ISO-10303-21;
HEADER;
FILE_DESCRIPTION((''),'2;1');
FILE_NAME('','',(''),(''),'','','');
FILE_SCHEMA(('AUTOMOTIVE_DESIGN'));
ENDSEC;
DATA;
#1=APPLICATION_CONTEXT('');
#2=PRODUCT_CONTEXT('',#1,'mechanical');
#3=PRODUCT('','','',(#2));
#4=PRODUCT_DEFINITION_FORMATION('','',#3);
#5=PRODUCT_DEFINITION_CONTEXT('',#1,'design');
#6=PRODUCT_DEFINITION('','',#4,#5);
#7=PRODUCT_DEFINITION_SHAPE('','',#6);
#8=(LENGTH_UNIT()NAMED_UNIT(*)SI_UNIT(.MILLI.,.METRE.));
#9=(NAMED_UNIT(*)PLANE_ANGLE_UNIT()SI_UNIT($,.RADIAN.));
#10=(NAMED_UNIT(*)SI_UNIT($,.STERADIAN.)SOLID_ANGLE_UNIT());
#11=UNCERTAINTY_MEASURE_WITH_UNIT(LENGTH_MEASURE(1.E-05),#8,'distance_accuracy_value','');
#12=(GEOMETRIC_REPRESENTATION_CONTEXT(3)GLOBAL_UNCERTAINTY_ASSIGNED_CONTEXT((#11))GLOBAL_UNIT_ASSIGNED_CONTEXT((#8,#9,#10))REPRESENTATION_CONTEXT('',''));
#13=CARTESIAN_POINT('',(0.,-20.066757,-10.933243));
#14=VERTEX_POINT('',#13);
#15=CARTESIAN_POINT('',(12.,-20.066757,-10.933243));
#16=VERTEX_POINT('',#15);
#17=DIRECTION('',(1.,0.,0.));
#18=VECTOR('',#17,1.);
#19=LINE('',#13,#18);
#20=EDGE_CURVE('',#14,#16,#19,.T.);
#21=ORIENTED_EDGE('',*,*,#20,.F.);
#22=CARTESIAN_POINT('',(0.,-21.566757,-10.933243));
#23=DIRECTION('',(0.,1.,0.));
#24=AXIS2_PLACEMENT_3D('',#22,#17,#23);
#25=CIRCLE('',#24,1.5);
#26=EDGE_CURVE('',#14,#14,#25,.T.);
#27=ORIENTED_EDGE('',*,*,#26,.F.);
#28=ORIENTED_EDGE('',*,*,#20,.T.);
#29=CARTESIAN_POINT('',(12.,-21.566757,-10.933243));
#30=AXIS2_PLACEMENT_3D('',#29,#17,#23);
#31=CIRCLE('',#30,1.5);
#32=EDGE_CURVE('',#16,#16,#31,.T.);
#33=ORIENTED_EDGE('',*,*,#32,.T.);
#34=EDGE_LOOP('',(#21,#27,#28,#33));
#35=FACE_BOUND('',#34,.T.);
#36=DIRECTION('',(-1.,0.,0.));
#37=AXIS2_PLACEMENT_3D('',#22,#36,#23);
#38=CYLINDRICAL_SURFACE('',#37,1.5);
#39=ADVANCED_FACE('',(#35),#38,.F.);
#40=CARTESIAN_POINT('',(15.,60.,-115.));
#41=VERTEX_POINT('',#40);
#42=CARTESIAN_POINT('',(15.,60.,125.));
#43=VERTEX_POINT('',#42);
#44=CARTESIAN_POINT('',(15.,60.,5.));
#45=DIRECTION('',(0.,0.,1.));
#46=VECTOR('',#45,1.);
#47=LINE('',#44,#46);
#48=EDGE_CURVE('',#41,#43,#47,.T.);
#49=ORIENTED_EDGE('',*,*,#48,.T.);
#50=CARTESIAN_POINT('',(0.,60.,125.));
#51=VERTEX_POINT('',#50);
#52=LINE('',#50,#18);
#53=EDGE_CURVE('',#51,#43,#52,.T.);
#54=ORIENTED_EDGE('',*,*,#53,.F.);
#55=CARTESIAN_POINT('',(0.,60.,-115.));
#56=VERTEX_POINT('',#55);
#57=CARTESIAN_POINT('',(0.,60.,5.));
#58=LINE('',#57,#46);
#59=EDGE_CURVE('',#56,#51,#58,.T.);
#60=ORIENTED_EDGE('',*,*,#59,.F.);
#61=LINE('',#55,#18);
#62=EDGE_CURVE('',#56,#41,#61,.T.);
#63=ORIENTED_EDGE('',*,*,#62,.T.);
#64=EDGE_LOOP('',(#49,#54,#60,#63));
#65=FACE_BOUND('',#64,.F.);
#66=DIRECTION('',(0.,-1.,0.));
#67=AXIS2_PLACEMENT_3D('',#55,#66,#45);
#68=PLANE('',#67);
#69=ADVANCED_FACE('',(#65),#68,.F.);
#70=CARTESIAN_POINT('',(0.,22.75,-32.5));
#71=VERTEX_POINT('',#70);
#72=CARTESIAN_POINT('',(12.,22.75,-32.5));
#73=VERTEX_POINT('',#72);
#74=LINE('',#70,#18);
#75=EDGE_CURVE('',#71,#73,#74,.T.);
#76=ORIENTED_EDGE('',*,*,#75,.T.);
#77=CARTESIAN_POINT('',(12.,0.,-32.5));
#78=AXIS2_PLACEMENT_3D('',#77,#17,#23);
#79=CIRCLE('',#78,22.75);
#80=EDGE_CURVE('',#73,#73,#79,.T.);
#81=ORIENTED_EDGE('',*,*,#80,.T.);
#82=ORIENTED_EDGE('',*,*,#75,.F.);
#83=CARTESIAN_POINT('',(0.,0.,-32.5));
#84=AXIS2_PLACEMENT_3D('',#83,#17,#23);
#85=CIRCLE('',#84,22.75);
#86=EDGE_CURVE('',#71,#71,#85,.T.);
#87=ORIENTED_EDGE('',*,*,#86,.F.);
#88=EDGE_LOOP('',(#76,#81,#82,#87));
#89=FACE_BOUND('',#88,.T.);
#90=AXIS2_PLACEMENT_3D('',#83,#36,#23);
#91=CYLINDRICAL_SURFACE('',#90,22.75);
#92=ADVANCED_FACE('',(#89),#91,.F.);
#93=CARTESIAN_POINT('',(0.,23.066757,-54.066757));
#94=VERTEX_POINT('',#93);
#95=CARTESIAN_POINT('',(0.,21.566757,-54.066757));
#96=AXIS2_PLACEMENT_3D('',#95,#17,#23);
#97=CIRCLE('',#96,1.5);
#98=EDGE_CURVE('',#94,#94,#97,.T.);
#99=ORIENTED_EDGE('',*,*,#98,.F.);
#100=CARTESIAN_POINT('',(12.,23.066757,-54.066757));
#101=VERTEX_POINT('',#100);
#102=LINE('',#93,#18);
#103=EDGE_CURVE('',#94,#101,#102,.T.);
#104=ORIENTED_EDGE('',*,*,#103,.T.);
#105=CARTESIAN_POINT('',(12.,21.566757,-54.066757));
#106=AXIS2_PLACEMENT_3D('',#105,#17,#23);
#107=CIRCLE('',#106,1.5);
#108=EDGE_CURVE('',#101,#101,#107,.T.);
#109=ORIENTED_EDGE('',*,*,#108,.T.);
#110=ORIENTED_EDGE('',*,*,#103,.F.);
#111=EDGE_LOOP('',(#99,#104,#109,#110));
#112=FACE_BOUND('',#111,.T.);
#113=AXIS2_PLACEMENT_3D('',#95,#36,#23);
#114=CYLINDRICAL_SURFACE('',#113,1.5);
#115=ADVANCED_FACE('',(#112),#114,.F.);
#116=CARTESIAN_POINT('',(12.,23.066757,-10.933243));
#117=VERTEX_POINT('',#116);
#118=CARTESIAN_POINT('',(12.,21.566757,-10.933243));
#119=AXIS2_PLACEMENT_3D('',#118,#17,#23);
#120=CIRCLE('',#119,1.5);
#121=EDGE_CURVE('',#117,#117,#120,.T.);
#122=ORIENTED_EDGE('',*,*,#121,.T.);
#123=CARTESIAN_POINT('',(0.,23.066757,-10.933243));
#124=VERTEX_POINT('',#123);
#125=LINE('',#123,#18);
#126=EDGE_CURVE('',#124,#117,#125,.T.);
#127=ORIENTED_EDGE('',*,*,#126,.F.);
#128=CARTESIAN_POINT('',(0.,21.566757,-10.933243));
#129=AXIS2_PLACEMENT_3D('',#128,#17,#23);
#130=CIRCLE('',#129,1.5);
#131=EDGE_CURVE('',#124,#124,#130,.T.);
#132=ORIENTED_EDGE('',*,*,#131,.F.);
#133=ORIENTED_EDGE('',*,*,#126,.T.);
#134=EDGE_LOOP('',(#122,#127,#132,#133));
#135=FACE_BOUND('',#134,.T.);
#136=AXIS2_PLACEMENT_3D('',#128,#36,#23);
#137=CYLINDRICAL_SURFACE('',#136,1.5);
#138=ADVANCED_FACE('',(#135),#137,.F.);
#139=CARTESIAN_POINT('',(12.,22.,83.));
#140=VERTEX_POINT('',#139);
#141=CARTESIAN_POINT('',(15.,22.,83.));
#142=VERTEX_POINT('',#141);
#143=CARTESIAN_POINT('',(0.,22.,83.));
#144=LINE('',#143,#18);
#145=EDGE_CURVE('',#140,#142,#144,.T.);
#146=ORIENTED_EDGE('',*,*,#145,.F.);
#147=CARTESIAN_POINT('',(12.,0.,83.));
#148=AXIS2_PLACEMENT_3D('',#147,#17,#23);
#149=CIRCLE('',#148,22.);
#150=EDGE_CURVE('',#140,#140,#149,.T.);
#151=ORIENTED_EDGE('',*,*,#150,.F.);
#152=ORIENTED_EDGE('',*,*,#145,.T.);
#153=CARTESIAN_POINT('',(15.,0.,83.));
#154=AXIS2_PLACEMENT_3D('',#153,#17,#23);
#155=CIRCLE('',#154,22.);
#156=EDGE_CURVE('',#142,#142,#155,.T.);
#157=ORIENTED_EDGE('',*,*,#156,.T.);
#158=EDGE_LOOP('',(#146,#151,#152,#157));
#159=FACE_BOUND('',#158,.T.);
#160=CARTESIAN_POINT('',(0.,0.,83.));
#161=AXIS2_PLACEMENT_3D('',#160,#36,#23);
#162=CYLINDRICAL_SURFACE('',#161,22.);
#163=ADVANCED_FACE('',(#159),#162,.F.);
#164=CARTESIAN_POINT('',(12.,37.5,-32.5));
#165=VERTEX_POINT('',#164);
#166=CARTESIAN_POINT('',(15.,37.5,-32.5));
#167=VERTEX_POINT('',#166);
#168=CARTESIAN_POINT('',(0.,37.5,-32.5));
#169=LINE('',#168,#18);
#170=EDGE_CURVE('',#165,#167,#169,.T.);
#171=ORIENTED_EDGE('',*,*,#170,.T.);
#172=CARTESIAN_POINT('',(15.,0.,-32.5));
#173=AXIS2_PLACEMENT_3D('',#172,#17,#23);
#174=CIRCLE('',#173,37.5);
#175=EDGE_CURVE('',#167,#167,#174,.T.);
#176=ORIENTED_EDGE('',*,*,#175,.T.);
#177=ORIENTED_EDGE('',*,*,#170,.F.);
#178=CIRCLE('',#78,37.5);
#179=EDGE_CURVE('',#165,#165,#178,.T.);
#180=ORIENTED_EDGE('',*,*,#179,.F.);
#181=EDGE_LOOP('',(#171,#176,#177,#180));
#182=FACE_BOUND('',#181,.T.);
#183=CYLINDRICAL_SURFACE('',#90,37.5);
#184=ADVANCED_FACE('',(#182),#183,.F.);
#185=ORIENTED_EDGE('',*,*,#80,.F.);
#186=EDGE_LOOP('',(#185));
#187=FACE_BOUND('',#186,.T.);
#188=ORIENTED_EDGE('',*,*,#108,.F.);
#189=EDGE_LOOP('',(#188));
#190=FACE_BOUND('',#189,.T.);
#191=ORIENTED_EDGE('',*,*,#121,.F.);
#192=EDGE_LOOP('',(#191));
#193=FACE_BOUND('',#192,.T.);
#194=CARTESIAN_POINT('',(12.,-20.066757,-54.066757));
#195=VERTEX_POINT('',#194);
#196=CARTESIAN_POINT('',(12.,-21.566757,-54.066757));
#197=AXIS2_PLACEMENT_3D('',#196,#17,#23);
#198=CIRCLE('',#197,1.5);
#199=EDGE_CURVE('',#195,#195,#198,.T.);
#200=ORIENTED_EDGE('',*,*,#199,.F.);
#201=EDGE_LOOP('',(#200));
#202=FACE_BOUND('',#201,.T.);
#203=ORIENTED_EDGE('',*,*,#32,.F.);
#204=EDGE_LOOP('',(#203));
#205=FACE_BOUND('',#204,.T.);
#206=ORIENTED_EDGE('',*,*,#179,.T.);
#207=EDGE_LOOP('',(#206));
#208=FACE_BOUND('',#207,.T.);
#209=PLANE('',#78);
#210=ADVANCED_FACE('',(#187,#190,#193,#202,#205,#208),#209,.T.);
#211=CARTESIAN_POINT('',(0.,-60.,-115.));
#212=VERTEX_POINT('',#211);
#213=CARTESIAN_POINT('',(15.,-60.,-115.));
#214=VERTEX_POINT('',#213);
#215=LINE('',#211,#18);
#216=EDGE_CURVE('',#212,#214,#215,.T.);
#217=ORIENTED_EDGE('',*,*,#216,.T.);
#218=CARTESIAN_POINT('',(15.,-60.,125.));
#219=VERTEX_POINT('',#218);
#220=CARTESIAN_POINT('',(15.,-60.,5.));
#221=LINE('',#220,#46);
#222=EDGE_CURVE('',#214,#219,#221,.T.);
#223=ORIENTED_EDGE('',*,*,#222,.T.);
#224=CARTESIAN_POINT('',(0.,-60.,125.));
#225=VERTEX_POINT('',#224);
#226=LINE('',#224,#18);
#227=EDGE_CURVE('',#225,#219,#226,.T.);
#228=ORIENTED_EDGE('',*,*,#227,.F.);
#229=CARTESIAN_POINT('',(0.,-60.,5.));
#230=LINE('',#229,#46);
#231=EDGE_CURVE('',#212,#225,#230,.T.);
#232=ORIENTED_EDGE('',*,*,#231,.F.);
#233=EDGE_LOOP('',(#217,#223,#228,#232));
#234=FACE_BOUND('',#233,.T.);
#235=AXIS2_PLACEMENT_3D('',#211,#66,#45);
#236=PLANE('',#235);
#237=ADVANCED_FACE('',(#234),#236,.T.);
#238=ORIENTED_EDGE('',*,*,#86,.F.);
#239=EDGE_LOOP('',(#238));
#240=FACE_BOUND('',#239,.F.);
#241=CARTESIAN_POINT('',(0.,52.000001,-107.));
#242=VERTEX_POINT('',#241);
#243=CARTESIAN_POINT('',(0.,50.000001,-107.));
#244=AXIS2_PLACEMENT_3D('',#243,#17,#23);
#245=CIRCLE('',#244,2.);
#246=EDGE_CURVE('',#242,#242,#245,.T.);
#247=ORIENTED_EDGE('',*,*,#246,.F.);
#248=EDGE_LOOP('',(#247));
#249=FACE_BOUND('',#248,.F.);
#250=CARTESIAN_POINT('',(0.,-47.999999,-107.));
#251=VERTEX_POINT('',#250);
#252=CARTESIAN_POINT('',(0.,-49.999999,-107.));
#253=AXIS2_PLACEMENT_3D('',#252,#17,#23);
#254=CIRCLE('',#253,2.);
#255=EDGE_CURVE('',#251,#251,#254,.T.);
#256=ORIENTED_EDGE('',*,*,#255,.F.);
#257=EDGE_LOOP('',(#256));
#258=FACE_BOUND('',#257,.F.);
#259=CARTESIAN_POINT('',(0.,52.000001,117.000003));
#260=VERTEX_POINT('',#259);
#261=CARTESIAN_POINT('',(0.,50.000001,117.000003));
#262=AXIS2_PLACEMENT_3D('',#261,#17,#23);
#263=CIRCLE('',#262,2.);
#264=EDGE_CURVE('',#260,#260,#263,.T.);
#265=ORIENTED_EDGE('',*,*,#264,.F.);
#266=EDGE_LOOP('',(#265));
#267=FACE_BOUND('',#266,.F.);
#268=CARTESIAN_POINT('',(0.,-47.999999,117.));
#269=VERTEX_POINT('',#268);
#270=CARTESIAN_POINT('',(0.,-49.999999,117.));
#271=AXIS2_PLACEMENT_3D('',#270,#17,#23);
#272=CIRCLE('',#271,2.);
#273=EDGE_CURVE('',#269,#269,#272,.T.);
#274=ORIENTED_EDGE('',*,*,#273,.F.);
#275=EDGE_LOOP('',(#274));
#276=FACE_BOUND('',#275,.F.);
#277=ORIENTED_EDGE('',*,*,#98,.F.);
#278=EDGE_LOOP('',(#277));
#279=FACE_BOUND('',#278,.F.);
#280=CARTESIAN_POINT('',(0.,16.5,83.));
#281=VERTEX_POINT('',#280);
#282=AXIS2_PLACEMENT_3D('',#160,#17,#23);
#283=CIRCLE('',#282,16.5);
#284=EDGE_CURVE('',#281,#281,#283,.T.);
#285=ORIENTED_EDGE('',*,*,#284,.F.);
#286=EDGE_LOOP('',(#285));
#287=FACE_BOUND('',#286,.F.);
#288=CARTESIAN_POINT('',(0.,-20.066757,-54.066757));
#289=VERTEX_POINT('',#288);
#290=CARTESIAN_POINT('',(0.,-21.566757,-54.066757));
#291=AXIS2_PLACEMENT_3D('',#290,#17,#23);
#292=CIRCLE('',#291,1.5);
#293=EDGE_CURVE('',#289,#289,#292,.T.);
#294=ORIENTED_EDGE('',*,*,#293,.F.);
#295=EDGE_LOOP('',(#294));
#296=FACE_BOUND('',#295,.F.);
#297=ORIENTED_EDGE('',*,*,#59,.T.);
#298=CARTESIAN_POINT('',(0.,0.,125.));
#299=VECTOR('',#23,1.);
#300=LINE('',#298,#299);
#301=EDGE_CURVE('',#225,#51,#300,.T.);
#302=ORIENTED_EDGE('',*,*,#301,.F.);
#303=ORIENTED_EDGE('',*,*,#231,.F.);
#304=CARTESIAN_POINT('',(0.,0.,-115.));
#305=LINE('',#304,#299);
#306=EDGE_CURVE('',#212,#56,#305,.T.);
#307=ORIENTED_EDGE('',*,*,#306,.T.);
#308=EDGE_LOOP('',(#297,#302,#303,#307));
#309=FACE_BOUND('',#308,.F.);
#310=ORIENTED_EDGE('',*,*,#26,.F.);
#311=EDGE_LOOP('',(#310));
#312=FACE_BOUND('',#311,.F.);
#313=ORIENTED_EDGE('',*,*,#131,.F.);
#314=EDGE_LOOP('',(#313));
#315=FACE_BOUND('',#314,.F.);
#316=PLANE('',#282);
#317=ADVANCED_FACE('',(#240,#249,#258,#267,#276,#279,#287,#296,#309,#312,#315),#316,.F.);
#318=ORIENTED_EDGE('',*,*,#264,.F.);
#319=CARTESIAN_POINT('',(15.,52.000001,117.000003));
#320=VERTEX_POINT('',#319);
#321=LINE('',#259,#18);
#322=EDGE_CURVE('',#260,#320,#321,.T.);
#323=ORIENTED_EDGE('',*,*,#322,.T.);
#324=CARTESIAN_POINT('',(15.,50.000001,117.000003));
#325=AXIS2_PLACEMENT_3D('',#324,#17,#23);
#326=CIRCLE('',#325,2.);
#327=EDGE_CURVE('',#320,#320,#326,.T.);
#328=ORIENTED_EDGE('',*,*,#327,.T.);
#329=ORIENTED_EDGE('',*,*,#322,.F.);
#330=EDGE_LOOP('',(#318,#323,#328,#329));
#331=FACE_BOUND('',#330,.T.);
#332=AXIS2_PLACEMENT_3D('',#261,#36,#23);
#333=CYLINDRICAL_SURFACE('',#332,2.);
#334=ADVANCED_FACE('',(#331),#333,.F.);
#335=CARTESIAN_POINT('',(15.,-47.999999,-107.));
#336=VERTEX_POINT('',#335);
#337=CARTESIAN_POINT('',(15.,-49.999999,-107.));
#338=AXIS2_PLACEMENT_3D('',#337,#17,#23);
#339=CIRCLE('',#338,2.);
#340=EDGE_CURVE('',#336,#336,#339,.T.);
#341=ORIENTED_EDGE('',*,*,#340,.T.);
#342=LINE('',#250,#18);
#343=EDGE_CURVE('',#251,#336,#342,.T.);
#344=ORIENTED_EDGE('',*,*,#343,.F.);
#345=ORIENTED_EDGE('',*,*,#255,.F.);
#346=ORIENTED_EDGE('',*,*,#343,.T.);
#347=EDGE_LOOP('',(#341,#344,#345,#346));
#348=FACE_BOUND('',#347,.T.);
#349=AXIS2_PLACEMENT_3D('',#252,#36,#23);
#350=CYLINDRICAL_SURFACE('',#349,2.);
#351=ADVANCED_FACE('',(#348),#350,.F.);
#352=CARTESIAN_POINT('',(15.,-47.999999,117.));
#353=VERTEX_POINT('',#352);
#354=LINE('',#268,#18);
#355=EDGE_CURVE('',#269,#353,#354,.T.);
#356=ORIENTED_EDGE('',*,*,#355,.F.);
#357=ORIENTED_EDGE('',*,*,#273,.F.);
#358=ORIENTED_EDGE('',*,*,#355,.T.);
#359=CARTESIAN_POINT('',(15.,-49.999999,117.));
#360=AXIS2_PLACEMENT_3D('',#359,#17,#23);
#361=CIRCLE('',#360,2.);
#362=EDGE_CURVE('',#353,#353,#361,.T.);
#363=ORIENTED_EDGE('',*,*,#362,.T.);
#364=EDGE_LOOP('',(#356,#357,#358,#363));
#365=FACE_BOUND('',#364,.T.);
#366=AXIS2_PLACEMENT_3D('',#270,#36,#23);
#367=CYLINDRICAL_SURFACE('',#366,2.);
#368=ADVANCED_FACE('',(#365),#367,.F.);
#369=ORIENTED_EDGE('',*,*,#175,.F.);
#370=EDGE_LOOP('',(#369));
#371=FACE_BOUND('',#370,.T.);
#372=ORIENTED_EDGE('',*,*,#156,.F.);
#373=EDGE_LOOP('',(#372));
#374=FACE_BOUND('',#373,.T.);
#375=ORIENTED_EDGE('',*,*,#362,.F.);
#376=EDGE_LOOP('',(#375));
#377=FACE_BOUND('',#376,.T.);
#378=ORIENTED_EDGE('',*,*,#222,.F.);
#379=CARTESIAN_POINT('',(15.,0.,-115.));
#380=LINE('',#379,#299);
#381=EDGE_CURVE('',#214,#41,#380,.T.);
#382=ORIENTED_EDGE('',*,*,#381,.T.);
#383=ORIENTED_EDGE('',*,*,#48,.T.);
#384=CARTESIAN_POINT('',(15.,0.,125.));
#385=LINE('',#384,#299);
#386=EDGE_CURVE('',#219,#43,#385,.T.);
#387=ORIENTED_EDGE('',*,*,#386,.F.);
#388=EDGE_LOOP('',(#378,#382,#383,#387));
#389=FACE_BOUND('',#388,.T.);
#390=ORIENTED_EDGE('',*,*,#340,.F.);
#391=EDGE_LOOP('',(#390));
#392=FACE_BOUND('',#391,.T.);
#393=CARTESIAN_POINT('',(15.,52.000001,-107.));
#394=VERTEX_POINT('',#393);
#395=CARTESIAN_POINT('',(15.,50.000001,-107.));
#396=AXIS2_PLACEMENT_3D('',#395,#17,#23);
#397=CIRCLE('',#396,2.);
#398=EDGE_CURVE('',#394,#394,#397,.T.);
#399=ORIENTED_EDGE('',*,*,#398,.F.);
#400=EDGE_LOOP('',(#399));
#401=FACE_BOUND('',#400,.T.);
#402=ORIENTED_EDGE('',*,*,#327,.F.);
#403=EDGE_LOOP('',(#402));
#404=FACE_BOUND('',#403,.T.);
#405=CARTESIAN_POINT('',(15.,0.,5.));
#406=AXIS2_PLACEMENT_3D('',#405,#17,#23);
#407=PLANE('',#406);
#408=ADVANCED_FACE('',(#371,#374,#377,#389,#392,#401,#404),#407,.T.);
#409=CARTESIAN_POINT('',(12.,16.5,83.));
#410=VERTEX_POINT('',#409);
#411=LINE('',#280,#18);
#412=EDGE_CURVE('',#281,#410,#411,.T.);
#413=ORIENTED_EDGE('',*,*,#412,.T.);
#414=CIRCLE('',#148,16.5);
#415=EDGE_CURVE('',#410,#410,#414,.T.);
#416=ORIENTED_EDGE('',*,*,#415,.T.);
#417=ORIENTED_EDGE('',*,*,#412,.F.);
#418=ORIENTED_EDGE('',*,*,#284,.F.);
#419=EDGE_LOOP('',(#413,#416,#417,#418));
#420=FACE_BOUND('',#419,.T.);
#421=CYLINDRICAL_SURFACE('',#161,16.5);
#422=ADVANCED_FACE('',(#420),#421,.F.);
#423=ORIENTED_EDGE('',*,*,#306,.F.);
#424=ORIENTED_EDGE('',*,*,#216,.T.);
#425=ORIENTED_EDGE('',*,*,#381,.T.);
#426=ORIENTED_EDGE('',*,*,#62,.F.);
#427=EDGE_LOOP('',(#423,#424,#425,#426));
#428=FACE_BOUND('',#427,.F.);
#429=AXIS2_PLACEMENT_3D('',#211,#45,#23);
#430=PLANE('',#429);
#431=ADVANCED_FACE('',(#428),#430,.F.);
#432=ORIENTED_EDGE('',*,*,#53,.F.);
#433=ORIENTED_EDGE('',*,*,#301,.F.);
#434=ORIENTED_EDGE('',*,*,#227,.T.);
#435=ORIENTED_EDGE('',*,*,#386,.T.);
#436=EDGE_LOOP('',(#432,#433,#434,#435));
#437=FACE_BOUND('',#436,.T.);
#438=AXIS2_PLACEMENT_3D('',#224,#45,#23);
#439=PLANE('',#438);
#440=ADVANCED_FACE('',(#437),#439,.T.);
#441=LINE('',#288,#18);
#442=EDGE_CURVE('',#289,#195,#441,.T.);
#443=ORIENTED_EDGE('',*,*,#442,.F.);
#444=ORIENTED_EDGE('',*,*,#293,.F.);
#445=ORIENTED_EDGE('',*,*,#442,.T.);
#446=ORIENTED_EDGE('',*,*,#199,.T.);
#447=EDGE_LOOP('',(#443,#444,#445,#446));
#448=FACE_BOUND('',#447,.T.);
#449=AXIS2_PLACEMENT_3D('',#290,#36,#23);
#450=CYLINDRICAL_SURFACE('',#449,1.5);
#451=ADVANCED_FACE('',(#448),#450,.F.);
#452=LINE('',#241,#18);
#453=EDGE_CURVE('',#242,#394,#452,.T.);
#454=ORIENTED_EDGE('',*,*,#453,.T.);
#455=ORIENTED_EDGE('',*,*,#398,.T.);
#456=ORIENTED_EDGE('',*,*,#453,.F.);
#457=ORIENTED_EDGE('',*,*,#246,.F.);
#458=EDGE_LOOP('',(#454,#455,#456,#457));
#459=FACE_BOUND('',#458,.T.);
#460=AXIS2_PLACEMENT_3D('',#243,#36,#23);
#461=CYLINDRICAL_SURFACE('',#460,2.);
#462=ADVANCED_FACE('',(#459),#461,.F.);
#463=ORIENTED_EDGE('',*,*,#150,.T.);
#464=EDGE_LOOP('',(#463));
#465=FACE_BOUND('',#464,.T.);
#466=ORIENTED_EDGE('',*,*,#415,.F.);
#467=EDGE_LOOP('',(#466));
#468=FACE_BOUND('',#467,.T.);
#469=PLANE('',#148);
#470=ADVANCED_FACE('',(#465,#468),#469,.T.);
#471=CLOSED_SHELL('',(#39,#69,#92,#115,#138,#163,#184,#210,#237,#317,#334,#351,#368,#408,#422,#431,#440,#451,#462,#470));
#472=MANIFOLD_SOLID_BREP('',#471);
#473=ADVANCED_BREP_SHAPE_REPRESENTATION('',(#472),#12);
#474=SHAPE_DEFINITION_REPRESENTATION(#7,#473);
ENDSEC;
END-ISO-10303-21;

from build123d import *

# Parameters (mm, degrees)
F0_W     = 120
F0_H     = 240
F0_R     = 2
F0_R_2   = 37.5
F0_R_3   = 22
F1_DEPTH = 15
F0_R_4   = 16.5
F0_R_5   = 1.5
F0_R_6   = 22.75
F2_DEPTH = 12


with BuildPart() as f1:
    # F0 (on Right) → F1 (new body)
    with BuildSketch(Plane.YZ):
        with Locations((0, 5)):
            Rectangle(F0_W, F0_H)
        with Locations((-49.999999, -107)):
            Circle(F0_R, mode=Mode.SUBTRACT)
        with Locations((50.000001, -107)):
            Circle(F0_R, mode=Mode.SUBTRACT)
        with Locations((0, -32.5)):
            Circle(F0_R_2, mode=Mode.SUBTRACT)
        with Locations((-49.999999, 117)):
            Circle(F0_R, mode=Mode.SUBTRACT)
        with Locations((0, 83)):
            Circle(F0_R_3, mode=Mode.SUBTRACT)
        with Locations((50.000001, 117.000003)):
            Circle(F0_R, mode=Mode.SUBTRACT)
    extrude(amount=F1_DEPTH)

    # F0 (on Right) → F2 (join)
    with BuildSketch(Plane.YZ):
        with Locations((0, 83)):
            Circle(F0_R_3)
        with Locations((0, 83)):
            Circle(F0_R_4, mode=Mode.SUBTRACT)
        with Locations((0, -32.5)):
            Circle(F0_R_2)
        with Locations((-21.566757, -54.066757)):
            Circle(F0_R_5, mode=Mode.SUBTRACT)
        with Locations((-21.566757, -10.933243)):
            Circle(F0_R_5, mode=Mode.SUBTRACT)
        with Locations((0, -32.5)):
            Circle(F0_R_6, mode=Mode.SUBTRACT)
        with Locations((21.566757, -54.066757)):
            Circle(F0_R_5, mode=Mode.SUBTRACT)
        with Locations((21.566757, -10.933243)):
            Circle(F0_R_5, mode=Mode.SUBTRACT)
    extrude(amount=F2_DEPTH)


solid = f1.part
